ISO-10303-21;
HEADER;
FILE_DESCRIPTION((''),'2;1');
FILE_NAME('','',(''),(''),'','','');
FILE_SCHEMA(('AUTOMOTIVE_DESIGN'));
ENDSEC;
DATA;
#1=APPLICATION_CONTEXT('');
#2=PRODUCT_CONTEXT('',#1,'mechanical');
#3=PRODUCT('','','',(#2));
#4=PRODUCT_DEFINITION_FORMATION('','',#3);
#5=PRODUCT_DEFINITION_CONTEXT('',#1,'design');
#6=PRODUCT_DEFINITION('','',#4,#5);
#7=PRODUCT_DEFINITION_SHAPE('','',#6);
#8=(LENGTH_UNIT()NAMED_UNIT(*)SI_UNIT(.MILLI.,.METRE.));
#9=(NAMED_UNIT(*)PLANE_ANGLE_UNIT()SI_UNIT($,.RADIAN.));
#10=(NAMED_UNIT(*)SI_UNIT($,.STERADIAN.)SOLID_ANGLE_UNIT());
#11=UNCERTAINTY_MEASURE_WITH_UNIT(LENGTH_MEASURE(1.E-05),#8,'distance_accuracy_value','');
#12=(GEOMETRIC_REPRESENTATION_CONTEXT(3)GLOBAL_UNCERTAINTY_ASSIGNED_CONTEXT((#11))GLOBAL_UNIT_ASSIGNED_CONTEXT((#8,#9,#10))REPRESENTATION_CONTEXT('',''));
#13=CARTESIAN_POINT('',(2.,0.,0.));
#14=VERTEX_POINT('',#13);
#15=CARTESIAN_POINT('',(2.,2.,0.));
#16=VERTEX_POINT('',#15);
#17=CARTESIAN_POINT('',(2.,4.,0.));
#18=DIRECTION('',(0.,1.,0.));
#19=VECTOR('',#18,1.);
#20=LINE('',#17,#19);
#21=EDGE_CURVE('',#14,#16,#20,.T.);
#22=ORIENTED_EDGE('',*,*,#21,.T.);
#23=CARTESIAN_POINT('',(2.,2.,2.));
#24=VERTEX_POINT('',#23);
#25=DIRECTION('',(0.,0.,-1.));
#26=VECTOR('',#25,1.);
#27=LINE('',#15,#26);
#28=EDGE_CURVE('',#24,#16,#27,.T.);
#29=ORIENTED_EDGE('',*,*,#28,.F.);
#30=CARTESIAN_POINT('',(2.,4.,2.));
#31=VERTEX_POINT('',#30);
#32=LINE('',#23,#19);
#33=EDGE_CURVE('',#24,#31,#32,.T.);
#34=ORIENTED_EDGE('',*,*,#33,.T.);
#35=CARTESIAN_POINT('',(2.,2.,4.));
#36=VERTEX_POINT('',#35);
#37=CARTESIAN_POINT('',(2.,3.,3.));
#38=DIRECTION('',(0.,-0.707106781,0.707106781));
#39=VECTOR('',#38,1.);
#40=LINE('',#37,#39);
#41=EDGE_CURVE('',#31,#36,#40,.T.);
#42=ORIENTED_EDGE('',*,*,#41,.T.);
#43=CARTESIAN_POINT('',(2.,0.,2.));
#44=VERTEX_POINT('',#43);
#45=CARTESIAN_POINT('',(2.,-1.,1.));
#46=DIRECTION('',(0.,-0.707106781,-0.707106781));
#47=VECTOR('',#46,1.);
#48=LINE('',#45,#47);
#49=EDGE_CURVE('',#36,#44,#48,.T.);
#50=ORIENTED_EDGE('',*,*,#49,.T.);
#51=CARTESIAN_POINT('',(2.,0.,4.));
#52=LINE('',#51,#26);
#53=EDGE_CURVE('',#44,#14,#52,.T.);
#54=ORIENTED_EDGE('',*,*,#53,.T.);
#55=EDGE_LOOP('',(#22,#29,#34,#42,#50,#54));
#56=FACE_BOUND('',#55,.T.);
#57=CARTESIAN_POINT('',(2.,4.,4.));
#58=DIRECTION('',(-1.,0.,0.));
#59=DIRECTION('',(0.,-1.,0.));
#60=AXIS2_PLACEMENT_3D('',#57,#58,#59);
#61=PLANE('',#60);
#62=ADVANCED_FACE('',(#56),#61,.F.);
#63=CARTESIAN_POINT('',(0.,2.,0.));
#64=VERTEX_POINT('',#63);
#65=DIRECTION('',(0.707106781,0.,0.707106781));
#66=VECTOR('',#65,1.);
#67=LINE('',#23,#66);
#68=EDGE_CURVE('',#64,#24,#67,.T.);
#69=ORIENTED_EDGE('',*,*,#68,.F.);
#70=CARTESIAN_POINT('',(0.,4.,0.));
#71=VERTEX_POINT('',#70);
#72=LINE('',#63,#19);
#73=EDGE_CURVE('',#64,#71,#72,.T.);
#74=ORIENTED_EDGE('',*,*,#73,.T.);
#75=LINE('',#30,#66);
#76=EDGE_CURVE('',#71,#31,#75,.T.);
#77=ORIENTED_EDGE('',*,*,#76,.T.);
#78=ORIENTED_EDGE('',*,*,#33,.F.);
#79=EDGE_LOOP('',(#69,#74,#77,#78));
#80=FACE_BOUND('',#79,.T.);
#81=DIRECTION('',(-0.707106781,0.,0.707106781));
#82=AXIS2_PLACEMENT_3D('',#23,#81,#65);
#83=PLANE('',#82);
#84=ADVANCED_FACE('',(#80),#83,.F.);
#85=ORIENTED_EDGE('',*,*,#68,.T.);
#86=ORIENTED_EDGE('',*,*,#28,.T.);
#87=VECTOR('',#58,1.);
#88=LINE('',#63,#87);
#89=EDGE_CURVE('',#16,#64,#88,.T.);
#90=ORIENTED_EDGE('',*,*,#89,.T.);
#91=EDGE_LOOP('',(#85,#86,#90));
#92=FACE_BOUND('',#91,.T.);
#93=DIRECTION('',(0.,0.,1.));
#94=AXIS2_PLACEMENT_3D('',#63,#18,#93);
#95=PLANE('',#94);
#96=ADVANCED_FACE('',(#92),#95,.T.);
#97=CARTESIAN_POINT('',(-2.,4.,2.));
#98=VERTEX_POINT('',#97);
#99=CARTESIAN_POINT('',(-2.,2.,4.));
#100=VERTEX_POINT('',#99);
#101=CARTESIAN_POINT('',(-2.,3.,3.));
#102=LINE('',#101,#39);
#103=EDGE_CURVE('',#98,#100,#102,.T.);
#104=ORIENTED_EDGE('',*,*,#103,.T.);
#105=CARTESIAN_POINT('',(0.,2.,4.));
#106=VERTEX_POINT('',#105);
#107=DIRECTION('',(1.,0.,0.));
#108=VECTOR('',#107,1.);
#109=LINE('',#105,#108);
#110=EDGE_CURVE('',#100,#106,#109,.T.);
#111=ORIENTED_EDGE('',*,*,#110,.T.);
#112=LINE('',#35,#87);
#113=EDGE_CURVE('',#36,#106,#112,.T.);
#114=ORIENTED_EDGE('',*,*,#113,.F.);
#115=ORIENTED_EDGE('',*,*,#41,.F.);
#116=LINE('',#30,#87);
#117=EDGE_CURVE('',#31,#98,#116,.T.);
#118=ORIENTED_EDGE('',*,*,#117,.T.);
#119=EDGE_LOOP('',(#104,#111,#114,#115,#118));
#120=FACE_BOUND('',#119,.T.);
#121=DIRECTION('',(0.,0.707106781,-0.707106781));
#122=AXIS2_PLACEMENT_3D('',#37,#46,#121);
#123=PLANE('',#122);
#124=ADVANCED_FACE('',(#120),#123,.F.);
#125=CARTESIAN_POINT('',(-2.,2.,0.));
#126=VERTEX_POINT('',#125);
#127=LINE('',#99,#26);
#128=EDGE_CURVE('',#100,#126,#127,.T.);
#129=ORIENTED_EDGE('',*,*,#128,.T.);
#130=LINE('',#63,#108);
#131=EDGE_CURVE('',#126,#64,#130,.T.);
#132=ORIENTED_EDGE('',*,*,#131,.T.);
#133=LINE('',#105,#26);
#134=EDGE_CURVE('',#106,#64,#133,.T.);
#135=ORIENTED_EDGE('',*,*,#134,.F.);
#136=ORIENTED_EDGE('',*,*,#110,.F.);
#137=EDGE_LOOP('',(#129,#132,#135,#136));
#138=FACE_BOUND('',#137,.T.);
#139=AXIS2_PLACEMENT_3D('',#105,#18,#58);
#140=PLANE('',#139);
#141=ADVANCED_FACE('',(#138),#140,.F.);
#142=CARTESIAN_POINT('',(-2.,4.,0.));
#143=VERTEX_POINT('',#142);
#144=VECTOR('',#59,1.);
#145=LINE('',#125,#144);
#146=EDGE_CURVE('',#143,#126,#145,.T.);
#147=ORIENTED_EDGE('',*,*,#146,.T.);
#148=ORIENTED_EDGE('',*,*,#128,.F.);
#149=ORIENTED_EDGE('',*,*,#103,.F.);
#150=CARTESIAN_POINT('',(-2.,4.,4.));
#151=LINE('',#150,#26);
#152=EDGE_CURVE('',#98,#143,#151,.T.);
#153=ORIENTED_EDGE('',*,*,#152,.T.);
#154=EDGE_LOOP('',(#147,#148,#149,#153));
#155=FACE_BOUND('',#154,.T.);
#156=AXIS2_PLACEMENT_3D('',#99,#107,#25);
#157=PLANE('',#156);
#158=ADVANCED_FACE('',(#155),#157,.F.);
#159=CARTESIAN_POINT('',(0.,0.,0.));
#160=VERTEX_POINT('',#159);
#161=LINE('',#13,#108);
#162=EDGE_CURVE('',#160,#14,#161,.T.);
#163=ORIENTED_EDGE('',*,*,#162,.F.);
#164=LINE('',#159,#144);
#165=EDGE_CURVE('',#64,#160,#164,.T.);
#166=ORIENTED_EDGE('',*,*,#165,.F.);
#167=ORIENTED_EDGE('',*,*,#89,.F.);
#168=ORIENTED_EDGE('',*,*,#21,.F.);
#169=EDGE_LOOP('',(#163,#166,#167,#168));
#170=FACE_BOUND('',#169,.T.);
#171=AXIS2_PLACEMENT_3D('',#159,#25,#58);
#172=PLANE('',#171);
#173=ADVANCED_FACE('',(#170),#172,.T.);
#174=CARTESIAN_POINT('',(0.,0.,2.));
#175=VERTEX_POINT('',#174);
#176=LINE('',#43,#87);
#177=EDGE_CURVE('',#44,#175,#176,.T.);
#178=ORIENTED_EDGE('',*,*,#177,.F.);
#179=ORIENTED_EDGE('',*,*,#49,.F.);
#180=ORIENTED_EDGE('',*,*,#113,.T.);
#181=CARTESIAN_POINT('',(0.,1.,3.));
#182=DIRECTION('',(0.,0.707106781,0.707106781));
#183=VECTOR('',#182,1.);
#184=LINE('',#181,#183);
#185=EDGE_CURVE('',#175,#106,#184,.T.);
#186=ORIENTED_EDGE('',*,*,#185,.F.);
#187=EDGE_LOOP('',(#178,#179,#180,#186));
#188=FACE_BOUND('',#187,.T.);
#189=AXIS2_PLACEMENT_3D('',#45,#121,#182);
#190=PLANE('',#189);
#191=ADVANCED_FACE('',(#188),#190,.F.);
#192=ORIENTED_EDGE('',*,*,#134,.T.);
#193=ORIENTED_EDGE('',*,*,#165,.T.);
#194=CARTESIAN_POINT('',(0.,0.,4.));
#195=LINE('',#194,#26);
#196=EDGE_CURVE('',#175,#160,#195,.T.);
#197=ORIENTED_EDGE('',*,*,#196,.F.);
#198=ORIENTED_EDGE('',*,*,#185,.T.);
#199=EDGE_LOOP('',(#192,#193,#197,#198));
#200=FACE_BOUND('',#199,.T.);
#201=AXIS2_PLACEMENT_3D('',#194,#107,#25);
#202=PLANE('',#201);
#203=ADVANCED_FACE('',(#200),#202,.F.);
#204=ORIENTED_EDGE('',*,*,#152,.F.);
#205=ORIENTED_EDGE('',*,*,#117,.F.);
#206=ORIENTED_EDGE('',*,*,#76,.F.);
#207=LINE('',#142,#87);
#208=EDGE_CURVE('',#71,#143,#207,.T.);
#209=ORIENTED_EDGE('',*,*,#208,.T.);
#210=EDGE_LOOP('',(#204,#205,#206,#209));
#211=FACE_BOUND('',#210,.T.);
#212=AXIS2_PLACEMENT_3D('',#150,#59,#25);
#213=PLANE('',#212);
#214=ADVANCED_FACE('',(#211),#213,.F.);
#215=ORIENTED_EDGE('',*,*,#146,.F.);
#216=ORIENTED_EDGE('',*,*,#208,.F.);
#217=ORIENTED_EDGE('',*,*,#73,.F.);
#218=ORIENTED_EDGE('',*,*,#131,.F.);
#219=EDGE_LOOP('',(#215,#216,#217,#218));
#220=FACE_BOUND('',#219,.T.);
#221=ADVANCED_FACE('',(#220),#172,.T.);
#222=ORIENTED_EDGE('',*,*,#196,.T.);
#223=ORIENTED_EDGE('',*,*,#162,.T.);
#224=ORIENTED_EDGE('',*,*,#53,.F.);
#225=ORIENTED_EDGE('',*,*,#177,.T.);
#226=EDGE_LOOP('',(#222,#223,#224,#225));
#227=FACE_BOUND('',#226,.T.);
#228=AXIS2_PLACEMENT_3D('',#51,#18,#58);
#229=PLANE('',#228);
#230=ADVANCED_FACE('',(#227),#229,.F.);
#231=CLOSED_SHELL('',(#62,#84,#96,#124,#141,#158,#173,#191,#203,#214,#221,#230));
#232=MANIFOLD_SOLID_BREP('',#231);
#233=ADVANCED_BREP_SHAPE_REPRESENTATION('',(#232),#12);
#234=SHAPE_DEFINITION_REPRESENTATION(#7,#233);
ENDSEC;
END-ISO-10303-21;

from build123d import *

# Parameters (mm, degrees)
BOSS_EXTRUDE1_DEPTH = 4
CUT_EXTRUDE1_DEPTH  = 4
CUT_EXTRUDE2_DEPTH  = 2


with BuildPart() as part:
    # Sketch1 → Boss-Extrude1 (new body)
    with BuildSketch(Plane.XY):
        Polygon((0, 0), (0, 2), (-2, 2), (-2, 4), (2, 4), (2, 0), align=None)
    extrude(amount=BOSS_EXTRUDE1_DEPTH)

    # Sketch2 → Cut-Extrude1 (cut)
    with BuildSketch(Plane.ZY.offset(2)):
        Polygon((4, 4), (2, 4), (4, 2), align=None)
        Polygon((4, 0), (4, 2), (2, 0), align=None)
    extrude(amount=-CUT_EXTRUDE1_DEPTH, mode=Mode.SUBTRACT)

    # Sketch3 → Cut-Extrude2 (cut)
    with BuildSketch(Plane(origin=(0, 4, 0), x_dir=(1, 0, 0), z_dir=(0, 1, 0))):
        Polygon((2, -2), (0, 0), (2, 0), align=None)
    extrude(amount=-CUT_EXTRUDE2_DEPTH, mode=Mode.SUBTRACT)


solid = part.part
